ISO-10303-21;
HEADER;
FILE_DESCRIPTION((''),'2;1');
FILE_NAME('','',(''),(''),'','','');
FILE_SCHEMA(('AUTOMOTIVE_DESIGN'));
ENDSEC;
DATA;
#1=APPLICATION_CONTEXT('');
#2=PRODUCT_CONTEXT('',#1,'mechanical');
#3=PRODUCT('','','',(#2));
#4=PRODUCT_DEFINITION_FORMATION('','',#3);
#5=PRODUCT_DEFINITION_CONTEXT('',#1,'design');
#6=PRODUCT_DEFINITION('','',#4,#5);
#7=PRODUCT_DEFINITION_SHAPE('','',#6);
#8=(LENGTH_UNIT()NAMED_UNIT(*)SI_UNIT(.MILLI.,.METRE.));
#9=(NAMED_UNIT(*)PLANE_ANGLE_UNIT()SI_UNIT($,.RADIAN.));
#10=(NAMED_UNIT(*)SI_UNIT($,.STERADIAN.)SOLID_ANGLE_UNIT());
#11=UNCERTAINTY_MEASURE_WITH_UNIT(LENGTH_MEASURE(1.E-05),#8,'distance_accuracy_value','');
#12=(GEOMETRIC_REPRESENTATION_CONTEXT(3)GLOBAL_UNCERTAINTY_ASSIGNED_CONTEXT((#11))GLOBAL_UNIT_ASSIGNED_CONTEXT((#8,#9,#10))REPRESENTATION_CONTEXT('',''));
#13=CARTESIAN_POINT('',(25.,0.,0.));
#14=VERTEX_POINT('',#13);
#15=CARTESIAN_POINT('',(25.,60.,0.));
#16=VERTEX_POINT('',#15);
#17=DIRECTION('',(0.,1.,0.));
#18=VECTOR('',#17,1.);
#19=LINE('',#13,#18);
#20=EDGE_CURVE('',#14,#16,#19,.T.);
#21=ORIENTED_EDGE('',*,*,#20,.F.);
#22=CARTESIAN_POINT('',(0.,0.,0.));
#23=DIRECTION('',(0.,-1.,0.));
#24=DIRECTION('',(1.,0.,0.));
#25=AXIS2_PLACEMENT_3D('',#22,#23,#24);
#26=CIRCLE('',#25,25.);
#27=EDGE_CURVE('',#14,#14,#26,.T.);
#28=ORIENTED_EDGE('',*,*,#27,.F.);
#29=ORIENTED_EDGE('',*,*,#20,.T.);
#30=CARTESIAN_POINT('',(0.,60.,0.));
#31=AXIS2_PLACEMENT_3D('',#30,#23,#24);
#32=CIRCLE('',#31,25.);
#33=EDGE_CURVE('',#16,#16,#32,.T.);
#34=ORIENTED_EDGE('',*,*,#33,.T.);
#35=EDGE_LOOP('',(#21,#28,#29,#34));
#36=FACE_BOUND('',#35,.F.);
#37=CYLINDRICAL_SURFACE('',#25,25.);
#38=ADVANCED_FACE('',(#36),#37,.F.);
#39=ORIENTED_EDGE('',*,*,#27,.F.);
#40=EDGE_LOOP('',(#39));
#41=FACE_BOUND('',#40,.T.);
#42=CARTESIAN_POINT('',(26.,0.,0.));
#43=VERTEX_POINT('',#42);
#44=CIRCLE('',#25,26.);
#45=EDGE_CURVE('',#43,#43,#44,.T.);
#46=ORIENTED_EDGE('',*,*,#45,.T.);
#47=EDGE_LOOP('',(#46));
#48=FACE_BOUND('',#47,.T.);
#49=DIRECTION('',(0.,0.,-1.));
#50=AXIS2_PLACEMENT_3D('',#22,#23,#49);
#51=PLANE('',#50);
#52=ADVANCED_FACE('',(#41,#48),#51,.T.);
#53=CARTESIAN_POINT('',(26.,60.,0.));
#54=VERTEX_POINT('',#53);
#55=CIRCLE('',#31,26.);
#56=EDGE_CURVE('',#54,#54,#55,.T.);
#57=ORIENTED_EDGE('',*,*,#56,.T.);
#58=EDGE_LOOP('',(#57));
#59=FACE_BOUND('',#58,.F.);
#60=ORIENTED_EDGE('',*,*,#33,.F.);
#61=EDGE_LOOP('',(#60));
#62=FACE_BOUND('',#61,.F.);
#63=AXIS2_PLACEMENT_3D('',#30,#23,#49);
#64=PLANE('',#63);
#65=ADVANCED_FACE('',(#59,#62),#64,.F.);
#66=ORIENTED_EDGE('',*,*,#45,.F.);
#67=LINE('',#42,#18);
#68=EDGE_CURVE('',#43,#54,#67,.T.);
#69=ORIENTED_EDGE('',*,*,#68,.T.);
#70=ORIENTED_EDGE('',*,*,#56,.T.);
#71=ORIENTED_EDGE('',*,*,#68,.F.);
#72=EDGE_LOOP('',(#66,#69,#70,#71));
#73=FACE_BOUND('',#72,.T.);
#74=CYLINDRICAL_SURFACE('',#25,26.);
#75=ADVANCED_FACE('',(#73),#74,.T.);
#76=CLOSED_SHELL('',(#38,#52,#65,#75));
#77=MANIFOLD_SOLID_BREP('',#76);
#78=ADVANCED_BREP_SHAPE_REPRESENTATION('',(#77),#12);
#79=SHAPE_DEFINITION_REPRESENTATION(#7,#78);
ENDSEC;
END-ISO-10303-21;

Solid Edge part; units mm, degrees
sketch "Sketch1" plane through (0, 0, 0) normal (0, -1, 0) x (1, 0, 0)
  circle A0 centre (0, 0) radius 25
  circle A1 centre (0, 0) radius 26
  dimension "D1" = 50
  dimension "D2" = 52
extrude "Protrusion1" add sketch "Sketch1" against normal blind 60
